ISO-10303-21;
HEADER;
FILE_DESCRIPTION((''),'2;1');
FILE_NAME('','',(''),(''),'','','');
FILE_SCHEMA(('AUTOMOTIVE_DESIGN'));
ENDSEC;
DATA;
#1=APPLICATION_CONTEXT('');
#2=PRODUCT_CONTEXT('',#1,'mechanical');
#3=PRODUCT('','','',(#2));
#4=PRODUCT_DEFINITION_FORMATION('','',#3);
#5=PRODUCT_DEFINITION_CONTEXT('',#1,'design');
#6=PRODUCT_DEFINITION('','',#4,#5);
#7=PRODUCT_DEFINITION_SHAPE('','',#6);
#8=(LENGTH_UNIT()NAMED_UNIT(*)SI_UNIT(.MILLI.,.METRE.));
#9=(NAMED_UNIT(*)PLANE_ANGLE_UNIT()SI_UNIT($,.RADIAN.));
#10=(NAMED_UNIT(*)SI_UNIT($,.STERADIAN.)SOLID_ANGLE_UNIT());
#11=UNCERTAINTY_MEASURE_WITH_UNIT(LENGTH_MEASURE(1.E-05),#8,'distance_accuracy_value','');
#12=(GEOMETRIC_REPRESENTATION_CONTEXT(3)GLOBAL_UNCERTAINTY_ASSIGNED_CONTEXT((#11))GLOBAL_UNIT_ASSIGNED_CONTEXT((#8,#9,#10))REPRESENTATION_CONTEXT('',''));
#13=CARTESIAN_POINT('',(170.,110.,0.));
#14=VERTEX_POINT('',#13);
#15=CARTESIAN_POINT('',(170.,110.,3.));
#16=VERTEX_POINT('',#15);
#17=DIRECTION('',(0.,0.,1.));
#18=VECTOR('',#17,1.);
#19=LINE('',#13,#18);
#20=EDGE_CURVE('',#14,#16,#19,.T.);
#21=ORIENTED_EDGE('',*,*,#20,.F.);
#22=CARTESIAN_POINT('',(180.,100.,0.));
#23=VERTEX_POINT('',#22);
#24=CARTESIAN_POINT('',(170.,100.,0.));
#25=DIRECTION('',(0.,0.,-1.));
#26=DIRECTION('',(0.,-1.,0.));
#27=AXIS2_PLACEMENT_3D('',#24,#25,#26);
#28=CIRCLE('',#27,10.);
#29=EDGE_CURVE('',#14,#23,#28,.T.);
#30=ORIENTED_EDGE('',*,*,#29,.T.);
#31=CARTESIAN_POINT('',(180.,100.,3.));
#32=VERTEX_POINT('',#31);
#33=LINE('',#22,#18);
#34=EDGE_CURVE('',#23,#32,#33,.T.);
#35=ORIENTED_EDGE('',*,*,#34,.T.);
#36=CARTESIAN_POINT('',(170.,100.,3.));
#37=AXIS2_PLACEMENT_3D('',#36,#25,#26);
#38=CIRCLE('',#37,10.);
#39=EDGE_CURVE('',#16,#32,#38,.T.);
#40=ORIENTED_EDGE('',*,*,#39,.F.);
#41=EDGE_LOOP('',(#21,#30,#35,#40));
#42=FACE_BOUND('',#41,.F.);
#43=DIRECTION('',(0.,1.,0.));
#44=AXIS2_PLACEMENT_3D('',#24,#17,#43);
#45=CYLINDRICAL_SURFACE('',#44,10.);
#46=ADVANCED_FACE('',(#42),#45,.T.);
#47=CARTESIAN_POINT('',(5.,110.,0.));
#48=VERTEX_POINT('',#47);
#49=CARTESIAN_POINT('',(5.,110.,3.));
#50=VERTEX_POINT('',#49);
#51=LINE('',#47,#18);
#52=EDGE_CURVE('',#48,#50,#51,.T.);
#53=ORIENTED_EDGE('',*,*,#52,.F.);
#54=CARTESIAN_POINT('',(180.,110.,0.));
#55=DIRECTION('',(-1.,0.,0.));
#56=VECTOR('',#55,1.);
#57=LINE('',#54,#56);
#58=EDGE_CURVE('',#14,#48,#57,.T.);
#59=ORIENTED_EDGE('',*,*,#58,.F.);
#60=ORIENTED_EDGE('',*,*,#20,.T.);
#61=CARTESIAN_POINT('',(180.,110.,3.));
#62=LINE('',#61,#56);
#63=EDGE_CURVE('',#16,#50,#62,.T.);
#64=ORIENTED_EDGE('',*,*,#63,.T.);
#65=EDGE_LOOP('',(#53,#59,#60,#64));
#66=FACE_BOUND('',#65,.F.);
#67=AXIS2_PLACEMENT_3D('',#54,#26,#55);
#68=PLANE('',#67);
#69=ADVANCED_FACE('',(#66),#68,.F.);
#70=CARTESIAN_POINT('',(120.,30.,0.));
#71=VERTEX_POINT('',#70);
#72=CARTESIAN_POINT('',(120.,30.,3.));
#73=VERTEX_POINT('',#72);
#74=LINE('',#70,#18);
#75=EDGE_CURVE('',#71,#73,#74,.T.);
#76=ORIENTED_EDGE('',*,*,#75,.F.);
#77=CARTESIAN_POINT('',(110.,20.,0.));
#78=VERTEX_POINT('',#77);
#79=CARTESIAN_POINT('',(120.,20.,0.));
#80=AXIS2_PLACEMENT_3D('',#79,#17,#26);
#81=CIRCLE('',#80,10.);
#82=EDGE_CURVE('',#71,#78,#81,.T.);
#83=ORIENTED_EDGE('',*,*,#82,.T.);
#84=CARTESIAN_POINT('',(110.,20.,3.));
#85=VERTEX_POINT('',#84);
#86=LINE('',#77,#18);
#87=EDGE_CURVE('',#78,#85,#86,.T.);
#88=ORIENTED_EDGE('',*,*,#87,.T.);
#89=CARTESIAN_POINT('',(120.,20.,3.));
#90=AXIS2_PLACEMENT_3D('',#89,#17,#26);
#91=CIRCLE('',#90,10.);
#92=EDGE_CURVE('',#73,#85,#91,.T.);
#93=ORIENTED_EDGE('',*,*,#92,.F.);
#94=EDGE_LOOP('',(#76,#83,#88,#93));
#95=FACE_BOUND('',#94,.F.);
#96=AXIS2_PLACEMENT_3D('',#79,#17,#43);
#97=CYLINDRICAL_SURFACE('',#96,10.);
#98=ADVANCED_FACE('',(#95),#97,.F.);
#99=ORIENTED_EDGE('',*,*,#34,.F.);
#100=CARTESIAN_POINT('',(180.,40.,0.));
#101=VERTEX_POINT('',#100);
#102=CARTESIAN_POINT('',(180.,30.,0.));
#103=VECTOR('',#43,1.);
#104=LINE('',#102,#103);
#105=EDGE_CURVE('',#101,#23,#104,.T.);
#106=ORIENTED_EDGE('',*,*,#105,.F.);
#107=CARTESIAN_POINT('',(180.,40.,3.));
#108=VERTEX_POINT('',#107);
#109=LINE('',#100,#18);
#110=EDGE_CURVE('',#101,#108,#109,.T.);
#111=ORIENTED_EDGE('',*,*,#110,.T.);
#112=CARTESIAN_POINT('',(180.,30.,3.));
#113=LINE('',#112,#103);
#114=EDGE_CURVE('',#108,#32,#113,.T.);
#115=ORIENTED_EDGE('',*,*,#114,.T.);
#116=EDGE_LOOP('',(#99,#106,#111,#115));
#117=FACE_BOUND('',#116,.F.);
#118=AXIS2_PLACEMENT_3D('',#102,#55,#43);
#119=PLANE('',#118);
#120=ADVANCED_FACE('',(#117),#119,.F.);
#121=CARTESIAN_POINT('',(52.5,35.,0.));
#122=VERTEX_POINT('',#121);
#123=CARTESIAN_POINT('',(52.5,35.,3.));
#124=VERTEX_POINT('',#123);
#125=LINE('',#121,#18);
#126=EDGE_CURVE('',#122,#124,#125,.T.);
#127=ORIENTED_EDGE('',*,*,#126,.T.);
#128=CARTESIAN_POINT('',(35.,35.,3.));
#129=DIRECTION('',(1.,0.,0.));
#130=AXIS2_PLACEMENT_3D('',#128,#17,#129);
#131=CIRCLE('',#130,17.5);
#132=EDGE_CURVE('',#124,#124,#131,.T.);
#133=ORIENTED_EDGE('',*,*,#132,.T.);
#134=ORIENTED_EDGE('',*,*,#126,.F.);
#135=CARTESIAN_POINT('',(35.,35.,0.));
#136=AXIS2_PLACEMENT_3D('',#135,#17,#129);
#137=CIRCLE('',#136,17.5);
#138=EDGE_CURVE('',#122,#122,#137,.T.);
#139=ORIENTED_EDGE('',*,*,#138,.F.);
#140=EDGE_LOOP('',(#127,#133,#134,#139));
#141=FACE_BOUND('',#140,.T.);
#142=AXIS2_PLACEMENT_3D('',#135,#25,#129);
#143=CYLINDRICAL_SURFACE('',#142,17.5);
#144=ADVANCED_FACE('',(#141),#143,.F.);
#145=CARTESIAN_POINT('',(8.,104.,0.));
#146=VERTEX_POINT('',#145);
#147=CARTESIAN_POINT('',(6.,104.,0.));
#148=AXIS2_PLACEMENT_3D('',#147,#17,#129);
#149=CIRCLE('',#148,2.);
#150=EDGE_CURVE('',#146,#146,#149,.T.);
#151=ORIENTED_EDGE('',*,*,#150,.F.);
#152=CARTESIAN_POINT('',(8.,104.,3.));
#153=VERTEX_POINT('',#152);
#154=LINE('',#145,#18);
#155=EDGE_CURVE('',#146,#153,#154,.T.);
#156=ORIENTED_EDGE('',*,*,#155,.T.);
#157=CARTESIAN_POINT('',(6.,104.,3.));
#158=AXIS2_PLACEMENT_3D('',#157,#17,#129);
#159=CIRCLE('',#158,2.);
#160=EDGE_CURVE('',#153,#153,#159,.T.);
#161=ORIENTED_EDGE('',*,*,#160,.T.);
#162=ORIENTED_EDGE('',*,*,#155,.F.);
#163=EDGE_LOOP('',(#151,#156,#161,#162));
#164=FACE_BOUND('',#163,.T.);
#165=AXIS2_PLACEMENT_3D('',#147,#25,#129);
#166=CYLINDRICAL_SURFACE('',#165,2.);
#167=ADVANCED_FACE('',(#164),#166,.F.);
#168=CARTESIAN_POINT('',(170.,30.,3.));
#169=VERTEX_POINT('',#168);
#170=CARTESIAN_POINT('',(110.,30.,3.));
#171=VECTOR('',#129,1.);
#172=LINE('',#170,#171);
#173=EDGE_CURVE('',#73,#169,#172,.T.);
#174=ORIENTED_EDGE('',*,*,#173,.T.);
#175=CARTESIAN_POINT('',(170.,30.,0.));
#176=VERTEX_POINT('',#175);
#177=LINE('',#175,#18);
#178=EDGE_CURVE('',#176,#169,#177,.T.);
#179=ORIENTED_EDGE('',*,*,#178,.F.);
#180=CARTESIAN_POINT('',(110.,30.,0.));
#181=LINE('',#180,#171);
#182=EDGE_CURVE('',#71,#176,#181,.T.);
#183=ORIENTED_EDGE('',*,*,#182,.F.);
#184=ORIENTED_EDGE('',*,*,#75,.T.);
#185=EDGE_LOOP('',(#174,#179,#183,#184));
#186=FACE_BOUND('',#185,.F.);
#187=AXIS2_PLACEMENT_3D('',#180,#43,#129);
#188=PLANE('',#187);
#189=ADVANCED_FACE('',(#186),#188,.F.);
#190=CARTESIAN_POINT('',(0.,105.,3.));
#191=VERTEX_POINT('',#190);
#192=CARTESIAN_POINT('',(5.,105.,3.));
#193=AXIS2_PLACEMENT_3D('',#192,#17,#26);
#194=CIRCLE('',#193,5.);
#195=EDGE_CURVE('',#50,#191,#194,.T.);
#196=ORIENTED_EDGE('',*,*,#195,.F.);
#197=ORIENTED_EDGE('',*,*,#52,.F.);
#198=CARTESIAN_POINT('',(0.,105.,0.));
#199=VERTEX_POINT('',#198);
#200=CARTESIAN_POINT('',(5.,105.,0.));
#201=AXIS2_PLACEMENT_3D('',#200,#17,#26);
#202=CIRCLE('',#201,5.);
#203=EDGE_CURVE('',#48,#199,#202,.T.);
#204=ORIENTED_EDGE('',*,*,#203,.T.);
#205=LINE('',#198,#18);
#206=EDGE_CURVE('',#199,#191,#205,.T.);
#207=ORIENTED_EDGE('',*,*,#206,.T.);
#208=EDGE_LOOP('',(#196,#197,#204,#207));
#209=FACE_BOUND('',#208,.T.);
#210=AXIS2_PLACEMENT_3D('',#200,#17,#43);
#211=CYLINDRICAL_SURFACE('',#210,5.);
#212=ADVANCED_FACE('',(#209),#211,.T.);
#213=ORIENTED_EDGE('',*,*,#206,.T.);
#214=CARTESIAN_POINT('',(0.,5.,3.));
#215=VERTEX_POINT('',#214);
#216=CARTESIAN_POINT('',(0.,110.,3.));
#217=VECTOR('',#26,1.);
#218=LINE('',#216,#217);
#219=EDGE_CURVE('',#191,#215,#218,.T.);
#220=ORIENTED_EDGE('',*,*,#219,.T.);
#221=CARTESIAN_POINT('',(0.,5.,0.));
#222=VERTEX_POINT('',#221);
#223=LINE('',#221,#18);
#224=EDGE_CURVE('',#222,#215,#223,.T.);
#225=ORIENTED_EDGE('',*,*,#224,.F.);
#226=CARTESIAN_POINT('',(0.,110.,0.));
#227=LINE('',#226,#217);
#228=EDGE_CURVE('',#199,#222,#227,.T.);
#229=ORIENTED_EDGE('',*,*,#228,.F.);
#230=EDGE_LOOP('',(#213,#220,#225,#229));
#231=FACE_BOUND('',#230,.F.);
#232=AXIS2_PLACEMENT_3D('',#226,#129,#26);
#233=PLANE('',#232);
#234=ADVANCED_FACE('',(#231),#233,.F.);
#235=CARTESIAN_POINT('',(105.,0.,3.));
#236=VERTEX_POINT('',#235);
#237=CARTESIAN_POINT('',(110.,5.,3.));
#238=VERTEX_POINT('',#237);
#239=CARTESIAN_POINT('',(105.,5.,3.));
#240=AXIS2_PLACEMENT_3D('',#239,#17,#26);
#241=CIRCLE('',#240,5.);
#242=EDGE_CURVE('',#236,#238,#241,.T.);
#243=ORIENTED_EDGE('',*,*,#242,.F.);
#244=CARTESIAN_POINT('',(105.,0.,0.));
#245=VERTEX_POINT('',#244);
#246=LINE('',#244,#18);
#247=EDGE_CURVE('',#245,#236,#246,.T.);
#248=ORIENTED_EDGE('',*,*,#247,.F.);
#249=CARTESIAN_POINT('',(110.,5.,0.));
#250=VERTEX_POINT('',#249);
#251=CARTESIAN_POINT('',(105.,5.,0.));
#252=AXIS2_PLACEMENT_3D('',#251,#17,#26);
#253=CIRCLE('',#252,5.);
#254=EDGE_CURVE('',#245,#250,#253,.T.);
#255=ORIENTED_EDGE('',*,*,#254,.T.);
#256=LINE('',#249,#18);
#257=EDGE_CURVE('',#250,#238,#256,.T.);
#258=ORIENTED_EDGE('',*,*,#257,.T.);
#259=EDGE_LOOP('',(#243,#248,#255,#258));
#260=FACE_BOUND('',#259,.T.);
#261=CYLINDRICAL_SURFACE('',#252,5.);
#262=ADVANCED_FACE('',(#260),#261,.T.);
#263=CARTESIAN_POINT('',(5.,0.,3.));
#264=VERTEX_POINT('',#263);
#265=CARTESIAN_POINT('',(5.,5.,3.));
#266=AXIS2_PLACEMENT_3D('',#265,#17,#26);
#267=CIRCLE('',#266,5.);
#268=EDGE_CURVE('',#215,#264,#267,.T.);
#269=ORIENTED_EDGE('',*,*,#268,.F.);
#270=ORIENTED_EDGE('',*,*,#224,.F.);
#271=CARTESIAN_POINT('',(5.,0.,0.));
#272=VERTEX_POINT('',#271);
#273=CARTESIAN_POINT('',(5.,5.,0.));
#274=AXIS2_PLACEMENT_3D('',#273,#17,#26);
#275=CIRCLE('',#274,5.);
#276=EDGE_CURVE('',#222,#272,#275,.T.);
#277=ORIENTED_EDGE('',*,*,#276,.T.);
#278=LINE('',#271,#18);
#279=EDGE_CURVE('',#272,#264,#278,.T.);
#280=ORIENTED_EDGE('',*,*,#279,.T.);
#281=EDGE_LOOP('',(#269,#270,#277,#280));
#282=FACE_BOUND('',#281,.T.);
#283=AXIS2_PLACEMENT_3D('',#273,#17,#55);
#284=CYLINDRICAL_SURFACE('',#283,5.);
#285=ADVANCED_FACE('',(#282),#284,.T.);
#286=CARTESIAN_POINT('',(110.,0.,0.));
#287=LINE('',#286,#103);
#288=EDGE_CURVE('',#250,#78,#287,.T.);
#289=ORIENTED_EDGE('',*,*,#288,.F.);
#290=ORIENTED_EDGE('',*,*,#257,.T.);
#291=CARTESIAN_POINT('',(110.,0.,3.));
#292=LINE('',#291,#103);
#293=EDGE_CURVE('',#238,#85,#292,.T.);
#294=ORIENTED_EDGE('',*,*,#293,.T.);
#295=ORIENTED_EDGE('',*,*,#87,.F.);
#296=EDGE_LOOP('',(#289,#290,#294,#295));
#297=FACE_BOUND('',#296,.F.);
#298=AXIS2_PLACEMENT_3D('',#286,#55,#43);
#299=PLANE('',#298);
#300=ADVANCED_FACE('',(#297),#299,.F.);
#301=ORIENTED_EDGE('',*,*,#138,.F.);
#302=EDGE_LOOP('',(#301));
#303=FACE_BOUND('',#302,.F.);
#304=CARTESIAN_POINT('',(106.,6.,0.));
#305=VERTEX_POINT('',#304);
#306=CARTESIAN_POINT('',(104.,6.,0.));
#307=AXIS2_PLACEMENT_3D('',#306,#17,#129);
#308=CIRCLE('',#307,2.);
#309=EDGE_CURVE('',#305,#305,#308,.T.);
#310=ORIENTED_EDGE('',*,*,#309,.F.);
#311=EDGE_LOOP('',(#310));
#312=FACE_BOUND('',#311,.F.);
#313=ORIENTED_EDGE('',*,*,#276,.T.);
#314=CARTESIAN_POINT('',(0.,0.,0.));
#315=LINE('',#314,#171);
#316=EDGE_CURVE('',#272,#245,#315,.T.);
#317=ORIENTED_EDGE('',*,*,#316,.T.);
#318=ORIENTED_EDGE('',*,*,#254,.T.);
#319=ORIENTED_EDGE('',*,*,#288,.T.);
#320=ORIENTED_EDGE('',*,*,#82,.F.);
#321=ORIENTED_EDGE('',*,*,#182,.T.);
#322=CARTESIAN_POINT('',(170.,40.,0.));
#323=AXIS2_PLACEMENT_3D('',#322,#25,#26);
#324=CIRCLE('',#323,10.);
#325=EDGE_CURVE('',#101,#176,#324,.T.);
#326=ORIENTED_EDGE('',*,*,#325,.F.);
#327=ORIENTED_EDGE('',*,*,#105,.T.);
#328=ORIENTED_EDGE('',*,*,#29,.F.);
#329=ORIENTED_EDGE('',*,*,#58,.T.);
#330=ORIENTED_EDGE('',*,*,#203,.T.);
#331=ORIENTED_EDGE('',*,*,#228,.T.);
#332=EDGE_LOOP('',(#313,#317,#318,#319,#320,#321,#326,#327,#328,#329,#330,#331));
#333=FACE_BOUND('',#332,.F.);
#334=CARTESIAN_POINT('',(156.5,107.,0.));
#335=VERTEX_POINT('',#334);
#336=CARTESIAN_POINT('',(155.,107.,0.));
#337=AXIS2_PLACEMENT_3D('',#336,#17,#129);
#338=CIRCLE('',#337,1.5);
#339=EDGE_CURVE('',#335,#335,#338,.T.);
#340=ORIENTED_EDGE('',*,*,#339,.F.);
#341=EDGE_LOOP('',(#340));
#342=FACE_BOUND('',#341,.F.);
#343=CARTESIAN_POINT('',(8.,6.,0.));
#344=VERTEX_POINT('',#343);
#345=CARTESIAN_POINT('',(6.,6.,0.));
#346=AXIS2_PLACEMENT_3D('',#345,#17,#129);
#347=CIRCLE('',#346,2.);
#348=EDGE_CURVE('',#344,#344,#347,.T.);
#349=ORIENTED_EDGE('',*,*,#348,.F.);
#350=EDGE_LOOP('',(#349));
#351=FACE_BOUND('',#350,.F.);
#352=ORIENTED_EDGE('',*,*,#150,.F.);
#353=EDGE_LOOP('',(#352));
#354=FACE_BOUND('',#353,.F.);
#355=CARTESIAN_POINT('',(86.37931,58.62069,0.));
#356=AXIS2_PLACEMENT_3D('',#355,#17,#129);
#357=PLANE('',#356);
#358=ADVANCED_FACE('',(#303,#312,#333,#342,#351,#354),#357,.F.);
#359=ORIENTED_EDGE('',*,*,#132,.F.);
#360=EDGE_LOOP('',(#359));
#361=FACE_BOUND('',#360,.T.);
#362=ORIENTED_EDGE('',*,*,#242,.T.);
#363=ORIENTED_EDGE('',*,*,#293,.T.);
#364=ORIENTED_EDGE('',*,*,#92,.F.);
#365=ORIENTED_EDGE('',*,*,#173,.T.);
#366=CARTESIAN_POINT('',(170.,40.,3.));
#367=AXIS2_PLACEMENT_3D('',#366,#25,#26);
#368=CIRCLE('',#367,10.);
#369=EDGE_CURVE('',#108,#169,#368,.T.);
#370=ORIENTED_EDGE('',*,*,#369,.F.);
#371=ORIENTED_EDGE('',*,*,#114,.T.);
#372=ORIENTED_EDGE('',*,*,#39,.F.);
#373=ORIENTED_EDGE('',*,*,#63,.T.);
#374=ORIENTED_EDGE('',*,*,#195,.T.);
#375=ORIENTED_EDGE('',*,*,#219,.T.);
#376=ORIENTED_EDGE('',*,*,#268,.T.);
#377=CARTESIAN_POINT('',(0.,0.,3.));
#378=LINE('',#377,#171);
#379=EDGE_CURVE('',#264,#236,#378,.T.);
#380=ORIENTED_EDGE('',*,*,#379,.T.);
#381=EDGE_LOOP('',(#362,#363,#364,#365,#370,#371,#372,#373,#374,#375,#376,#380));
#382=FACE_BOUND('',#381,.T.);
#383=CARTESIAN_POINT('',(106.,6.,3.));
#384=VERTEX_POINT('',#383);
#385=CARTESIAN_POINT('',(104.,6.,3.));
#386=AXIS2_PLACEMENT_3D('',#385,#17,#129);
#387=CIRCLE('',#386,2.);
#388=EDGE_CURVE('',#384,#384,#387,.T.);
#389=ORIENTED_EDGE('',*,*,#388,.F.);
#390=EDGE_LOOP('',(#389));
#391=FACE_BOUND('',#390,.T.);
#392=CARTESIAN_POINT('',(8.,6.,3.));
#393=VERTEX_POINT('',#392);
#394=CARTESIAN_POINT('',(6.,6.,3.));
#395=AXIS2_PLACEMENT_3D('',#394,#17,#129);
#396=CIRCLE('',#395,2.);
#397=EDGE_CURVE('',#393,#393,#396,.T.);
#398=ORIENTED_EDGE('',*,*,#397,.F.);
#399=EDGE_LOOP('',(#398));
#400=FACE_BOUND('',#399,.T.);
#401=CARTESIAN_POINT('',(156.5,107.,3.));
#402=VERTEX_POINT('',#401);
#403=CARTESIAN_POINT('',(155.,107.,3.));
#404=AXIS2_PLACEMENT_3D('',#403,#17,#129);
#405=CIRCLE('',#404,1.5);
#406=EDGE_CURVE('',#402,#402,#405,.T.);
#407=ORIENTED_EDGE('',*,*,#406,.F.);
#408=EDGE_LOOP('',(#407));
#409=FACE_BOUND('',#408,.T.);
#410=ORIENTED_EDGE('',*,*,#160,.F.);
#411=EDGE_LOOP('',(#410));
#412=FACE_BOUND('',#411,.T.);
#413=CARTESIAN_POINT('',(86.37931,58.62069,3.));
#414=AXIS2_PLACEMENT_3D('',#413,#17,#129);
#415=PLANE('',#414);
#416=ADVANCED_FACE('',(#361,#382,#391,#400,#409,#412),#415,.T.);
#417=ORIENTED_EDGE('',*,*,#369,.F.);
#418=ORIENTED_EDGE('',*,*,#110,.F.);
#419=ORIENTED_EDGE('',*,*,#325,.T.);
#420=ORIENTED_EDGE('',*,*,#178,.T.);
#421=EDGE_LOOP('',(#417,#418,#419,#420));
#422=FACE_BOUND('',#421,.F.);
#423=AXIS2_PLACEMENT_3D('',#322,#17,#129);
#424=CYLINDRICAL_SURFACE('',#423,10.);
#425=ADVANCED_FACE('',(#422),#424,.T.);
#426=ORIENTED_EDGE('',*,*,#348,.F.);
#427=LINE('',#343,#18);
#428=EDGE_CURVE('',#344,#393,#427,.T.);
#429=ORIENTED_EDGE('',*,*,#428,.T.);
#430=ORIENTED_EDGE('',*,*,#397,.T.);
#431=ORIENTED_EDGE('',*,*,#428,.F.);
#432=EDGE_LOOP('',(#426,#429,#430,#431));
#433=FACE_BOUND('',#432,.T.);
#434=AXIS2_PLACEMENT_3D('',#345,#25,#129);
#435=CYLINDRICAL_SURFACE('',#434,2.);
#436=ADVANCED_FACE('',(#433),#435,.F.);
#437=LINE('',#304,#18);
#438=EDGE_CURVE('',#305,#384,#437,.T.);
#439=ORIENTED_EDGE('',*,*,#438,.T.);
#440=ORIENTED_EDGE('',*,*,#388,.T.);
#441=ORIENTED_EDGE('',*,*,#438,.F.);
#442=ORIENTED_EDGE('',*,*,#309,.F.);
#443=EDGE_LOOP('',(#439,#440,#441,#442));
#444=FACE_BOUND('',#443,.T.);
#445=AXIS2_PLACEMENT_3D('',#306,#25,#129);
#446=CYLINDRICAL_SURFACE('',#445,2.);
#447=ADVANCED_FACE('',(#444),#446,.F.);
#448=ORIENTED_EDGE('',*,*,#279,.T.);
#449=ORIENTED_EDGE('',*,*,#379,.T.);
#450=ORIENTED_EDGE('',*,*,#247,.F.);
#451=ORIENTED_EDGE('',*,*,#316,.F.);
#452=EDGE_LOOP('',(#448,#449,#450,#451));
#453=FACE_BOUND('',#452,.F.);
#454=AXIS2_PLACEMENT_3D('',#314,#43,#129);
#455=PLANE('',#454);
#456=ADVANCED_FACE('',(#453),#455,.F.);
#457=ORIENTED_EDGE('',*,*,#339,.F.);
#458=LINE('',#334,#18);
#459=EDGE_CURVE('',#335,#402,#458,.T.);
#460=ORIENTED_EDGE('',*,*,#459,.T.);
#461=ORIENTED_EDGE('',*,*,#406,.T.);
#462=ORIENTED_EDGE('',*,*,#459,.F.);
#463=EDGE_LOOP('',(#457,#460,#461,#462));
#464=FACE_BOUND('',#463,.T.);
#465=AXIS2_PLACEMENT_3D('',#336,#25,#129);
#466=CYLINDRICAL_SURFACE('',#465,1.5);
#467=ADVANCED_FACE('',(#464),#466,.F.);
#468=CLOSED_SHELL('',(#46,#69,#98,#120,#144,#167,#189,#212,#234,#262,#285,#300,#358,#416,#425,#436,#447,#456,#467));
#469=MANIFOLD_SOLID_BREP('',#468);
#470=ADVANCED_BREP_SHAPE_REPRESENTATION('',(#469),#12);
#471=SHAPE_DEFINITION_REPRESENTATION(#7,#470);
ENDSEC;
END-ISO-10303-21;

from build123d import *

# Parameters (mm, degrees)
F0_R     = 2
F0_R_2   = 17.5
F0_R_3   = 1.5
F1_DEPTH = 3
F2_R     = 10
F3_R     = 5


with BuildPart() as f1:
    # F0 (on Top) → F1 (new body)
    with BuildSketch(Plane.XY):
        Polygon((180, 110), (0, 110), (0, 0), (110, 0), (110, 30), (180, 30), align=None)
        with Locations((6, 6)):
            Circle(F0_R, mode=Mode.SUBTRACT)
        with Locations((35, 35)):
            Circle(F0_R_2, mode=Mode.SUBTRACT)
        with Locations((104, 6)):
            Circle(F0_R, mode=Mode.SUBTRACT)
        with Locations((6, 104)):
            Circle(F0_R, mode=Mode.SUBTRACT)
        with Locations((155, 107)):
            Circle(F0_R_3, mode=Mode.SUBTRACT)
    extrude(amount=F1_DEPTH)

    # F2
    f2_edges = [f1.edges().sort_by_distance(p)[0] for p in [
        (110, 30, 1.5),
        (180, 30, 1.5),
        (180, 110, 1.5),
    ]]
    fillet(f2_edges, radius=F2_R)

    # F3
    f3_edges = [f1.edges().sort_by_distance(p)[0] for p in [
        (110, 0, 1.5),
        (0, 0, 1.5),
        (0, 110, 1.5),
    ]]
    fillet(f3_edges, radius=F3_R)


solid = f1.part
